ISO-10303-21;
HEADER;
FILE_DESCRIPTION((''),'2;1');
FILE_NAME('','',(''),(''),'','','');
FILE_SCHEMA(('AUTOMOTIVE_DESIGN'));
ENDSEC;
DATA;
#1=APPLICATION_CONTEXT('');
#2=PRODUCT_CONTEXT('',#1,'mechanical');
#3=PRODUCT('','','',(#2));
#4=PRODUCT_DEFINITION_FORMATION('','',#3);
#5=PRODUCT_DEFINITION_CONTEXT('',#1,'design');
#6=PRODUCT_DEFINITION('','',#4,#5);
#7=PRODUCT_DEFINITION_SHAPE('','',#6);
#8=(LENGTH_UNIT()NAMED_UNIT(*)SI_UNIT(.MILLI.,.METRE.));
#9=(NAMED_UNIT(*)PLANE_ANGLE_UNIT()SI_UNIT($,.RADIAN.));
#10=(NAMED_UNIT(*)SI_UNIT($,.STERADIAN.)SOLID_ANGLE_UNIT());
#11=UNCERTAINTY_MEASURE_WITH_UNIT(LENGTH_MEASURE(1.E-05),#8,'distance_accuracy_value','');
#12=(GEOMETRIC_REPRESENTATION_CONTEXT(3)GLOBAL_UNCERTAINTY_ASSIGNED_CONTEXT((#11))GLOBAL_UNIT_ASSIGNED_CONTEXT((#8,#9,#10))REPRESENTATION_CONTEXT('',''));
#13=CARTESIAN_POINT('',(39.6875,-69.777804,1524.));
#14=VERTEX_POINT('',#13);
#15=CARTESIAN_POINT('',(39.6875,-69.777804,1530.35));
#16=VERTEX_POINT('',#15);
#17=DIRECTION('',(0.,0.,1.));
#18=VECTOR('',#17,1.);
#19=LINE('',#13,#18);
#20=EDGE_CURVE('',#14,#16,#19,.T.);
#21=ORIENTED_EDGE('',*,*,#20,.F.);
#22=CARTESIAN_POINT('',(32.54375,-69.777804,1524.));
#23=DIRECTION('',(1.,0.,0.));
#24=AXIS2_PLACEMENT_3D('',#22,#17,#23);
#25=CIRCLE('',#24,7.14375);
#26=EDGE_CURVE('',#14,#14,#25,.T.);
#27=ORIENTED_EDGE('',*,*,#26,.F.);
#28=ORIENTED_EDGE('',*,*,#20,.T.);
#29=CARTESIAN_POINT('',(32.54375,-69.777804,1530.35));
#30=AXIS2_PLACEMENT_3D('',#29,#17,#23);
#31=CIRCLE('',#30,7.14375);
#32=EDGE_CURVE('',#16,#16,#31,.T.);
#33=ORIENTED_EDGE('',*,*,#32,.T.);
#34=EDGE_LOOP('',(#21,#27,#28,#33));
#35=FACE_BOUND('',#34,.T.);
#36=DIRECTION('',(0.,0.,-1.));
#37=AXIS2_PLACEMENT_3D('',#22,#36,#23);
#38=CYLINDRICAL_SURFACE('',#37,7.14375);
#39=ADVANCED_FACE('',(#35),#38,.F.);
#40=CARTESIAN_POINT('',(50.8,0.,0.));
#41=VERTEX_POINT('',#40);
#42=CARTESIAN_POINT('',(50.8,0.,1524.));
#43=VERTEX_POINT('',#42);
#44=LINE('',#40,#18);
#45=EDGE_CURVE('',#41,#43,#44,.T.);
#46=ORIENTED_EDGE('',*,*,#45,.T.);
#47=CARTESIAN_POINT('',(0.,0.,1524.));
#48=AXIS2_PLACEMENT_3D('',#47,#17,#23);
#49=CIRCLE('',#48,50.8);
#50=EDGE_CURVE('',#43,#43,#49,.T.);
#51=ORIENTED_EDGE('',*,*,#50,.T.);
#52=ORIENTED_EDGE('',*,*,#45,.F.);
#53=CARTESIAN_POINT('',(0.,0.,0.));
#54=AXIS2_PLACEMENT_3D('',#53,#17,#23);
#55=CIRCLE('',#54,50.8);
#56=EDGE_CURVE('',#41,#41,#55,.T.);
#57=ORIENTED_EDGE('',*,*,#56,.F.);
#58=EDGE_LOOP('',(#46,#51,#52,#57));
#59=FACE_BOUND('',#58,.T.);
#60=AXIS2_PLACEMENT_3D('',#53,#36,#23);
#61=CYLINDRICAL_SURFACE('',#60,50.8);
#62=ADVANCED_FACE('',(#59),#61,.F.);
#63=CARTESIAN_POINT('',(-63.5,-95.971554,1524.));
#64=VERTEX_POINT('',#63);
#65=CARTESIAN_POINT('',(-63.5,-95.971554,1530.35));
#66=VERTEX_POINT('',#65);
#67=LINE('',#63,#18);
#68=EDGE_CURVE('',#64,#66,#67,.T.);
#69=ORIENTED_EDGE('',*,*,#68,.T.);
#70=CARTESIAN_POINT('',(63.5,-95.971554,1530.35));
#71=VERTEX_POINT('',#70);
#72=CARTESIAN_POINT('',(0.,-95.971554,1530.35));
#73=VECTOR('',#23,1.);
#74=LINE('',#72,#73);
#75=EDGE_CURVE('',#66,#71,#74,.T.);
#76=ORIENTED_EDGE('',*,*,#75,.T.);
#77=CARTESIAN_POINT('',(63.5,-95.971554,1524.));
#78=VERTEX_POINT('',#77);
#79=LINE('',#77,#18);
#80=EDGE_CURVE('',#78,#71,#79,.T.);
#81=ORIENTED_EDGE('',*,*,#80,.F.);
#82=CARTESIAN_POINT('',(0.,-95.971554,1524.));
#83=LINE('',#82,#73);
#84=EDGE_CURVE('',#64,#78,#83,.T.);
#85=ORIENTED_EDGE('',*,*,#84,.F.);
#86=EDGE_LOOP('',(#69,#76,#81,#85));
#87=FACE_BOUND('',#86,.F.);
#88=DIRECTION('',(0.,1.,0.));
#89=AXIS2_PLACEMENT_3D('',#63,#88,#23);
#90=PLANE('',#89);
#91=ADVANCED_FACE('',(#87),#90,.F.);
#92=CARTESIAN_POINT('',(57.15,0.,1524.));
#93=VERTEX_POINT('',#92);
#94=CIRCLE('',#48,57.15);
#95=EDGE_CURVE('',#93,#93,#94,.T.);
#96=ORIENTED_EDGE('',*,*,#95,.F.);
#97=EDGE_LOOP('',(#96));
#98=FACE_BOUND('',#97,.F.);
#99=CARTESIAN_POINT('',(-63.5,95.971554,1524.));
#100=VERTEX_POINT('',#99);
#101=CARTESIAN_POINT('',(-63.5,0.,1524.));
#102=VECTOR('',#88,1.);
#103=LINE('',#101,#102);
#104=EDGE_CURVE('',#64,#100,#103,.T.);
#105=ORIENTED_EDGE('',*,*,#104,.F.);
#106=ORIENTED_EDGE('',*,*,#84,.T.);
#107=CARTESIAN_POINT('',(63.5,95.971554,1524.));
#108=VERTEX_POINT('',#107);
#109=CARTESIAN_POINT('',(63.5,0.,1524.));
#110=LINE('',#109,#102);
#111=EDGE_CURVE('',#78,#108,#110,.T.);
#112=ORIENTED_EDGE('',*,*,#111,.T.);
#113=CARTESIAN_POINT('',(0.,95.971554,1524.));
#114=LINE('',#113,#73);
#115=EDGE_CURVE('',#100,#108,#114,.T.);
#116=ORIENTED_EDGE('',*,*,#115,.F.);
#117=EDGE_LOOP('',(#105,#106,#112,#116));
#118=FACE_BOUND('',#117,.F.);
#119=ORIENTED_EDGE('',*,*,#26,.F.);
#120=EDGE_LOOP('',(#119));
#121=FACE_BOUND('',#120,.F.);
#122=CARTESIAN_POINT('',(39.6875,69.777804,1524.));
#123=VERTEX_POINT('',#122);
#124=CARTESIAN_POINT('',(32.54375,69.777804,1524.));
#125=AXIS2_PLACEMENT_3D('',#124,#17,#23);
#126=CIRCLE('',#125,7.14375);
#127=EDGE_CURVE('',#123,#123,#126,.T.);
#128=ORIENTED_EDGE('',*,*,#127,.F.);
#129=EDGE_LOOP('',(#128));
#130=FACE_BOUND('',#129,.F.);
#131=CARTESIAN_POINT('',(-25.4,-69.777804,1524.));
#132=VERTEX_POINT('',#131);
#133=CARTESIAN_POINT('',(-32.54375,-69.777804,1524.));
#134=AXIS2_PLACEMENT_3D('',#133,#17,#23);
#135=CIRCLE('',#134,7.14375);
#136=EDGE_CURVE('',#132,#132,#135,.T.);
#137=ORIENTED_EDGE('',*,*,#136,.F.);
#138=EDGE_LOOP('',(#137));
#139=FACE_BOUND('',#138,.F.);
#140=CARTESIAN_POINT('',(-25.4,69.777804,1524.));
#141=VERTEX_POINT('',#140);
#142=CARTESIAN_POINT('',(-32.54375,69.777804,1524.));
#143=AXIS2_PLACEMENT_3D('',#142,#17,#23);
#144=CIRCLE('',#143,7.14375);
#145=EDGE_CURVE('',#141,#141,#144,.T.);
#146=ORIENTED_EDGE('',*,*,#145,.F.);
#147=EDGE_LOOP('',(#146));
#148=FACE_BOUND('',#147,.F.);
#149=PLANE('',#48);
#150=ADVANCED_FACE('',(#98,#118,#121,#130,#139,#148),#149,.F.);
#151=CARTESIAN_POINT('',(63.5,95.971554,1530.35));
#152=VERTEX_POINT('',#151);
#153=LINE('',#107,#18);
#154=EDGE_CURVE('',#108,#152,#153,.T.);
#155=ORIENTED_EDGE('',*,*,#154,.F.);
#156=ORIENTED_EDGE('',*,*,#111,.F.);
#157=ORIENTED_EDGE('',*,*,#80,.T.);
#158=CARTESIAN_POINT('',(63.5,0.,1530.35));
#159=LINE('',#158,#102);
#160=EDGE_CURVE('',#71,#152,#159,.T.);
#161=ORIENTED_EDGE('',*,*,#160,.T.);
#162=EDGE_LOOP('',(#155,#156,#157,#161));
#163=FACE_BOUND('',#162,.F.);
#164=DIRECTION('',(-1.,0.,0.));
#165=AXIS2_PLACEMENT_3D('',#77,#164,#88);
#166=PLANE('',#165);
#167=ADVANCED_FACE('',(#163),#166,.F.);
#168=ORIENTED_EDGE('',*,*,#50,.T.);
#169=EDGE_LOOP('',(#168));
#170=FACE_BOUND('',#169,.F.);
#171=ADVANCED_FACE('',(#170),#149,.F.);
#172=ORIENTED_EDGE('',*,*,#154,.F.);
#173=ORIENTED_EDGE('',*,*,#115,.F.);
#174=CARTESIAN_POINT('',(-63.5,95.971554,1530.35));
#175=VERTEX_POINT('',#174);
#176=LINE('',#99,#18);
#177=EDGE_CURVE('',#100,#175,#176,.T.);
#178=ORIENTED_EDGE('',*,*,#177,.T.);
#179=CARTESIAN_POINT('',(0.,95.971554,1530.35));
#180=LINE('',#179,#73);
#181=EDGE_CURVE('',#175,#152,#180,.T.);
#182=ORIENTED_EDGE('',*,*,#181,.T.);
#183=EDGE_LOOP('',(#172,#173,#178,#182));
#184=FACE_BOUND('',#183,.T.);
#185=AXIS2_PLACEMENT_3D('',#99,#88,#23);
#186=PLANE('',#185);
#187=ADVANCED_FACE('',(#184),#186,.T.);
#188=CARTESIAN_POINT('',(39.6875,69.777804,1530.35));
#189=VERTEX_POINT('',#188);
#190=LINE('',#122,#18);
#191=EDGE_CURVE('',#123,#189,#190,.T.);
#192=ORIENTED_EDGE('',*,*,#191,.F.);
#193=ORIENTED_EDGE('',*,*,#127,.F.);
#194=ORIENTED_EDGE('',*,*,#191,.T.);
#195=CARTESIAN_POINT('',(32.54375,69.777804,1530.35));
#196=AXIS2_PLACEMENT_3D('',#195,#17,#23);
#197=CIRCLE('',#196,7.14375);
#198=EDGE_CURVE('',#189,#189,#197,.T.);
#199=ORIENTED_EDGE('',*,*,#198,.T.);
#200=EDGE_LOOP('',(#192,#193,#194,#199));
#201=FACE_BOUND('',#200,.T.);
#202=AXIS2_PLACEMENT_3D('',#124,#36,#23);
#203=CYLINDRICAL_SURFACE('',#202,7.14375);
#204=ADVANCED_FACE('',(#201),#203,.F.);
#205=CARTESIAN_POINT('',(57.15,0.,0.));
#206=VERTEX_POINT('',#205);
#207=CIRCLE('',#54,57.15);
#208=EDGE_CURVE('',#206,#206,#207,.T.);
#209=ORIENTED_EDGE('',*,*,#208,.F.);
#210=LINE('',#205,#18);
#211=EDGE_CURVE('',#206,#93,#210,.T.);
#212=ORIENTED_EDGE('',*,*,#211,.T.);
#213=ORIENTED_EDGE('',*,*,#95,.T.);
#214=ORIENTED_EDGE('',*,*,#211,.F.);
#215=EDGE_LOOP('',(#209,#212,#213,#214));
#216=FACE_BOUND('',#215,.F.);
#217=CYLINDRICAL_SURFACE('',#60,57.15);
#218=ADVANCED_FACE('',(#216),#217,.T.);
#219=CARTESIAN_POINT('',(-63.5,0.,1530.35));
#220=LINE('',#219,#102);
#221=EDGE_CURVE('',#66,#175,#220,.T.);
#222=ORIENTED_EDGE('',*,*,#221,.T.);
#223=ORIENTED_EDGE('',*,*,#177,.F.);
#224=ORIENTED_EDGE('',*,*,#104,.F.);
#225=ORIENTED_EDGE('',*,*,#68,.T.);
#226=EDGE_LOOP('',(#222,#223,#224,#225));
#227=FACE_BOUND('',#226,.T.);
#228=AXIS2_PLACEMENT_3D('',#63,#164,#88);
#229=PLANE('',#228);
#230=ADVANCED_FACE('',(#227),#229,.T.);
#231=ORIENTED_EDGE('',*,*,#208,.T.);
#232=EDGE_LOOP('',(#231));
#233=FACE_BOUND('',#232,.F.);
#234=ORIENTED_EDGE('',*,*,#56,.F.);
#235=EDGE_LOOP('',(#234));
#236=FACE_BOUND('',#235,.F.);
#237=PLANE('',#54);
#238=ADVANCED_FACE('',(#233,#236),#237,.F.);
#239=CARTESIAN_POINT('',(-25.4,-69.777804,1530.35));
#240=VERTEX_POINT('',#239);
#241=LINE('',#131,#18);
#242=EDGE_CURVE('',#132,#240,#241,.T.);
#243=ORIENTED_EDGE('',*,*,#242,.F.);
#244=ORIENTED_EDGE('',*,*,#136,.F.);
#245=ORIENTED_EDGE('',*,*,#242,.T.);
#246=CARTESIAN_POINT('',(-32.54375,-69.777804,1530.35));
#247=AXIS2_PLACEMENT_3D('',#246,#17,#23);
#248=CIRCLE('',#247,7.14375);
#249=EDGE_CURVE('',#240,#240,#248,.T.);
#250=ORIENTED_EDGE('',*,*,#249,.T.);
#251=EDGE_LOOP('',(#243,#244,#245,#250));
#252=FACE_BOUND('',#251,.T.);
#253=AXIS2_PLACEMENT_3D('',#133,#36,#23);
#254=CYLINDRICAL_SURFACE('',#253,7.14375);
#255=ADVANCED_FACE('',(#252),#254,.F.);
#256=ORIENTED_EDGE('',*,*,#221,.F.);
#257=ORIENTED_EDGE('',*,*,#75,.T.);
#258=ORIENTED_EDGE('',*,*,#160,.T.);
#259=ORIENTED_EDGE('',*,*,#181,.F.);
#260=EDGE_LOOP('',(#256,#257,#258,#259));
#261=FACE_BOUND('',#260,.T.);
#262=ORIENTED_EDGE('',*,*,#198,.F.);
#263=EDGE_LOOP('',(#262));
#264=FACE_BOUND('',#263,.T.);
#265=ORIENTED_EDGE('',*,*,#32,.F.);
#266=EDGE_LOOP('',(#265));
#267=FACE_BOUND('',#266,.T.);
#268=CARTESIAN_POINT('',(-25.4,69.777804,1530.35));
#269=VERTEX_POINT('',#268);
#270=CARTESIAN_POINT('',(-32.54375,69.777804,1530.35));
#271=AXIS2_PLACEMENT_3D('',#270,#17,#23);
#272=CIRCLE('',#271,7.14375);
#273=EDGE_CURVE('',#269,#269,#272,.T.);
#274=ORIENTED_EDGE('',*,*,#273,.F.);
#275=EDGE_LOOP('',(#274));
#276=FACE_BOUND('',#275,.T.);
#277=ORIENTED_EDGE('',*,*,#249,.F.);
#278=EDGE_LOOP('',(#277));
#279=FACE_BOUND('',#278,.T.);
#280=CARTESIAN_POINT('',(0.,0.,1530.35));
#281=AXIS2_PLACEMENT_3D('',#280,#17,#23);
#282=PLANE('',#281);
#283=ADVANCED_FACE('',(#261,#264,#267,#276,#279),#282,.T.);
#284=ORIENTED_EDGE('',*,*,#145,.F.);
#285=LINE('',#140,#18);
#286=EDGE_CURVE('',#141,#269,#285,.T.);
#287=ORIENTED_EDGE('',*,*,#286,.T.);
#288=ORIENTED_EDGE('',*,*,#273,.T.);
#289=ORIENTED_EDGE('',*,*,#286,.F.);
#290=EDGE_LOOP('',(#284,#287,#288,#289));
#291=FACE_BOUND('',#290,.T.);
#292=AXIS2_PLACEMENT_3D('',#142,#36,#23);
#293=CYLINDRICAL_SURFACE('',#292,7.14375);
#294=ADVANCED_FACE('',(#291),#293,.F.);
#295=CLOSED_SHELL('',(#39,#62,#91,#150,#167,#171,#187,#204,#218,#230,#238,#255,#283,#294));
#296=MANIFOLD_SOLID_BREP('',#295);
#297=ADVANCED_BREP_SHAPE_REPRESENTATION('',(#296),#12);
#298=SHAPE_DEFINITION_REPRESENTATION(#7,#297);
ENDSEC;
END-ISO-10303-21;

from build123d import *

# Parameters (mm, degrees)
F0_R     = 57.15
F0_R_2   = 50.8
F1_DEPTH = 1524
F2_W     = 127
F2_H     = 191.943108
F2_R     = 7.14375
F3_DEPTH = 6.35


with BuildPart() as f1:
    # F0 (on Top) → F1 (new body)
    with BuildSketch(Plane.XY):
        Circle(F0_R)
        Circle(F0_R_2, mode=Mode.SUBTRACT)
    extrude(amount=F1_DEPTH)

    # F2 (on face) → F3 (join)
    with BuildSketch(Plane.XY.offset(1524)):
        Rectangle(F2_W, F2_H)
        with Locations((-32.54375, -69.777804)):
            Circle(F2_R, mode=Mode.SUBTRACT)
        with Locations((32.54375, -69.777804)):
            Circle(F2_R, mode=Mode.SUBTRACT)
        with Locations((-32.54375, 69.777804)):
            Circle(F2_R, mode=Mode.SUBTRACT)
        with Locations((32.54375, 69.777804)):
            Circle(F2_R, mode=Mode.SUBTRACT)
    extrude(amount=F3_DEPTH)


solid = f1.part
